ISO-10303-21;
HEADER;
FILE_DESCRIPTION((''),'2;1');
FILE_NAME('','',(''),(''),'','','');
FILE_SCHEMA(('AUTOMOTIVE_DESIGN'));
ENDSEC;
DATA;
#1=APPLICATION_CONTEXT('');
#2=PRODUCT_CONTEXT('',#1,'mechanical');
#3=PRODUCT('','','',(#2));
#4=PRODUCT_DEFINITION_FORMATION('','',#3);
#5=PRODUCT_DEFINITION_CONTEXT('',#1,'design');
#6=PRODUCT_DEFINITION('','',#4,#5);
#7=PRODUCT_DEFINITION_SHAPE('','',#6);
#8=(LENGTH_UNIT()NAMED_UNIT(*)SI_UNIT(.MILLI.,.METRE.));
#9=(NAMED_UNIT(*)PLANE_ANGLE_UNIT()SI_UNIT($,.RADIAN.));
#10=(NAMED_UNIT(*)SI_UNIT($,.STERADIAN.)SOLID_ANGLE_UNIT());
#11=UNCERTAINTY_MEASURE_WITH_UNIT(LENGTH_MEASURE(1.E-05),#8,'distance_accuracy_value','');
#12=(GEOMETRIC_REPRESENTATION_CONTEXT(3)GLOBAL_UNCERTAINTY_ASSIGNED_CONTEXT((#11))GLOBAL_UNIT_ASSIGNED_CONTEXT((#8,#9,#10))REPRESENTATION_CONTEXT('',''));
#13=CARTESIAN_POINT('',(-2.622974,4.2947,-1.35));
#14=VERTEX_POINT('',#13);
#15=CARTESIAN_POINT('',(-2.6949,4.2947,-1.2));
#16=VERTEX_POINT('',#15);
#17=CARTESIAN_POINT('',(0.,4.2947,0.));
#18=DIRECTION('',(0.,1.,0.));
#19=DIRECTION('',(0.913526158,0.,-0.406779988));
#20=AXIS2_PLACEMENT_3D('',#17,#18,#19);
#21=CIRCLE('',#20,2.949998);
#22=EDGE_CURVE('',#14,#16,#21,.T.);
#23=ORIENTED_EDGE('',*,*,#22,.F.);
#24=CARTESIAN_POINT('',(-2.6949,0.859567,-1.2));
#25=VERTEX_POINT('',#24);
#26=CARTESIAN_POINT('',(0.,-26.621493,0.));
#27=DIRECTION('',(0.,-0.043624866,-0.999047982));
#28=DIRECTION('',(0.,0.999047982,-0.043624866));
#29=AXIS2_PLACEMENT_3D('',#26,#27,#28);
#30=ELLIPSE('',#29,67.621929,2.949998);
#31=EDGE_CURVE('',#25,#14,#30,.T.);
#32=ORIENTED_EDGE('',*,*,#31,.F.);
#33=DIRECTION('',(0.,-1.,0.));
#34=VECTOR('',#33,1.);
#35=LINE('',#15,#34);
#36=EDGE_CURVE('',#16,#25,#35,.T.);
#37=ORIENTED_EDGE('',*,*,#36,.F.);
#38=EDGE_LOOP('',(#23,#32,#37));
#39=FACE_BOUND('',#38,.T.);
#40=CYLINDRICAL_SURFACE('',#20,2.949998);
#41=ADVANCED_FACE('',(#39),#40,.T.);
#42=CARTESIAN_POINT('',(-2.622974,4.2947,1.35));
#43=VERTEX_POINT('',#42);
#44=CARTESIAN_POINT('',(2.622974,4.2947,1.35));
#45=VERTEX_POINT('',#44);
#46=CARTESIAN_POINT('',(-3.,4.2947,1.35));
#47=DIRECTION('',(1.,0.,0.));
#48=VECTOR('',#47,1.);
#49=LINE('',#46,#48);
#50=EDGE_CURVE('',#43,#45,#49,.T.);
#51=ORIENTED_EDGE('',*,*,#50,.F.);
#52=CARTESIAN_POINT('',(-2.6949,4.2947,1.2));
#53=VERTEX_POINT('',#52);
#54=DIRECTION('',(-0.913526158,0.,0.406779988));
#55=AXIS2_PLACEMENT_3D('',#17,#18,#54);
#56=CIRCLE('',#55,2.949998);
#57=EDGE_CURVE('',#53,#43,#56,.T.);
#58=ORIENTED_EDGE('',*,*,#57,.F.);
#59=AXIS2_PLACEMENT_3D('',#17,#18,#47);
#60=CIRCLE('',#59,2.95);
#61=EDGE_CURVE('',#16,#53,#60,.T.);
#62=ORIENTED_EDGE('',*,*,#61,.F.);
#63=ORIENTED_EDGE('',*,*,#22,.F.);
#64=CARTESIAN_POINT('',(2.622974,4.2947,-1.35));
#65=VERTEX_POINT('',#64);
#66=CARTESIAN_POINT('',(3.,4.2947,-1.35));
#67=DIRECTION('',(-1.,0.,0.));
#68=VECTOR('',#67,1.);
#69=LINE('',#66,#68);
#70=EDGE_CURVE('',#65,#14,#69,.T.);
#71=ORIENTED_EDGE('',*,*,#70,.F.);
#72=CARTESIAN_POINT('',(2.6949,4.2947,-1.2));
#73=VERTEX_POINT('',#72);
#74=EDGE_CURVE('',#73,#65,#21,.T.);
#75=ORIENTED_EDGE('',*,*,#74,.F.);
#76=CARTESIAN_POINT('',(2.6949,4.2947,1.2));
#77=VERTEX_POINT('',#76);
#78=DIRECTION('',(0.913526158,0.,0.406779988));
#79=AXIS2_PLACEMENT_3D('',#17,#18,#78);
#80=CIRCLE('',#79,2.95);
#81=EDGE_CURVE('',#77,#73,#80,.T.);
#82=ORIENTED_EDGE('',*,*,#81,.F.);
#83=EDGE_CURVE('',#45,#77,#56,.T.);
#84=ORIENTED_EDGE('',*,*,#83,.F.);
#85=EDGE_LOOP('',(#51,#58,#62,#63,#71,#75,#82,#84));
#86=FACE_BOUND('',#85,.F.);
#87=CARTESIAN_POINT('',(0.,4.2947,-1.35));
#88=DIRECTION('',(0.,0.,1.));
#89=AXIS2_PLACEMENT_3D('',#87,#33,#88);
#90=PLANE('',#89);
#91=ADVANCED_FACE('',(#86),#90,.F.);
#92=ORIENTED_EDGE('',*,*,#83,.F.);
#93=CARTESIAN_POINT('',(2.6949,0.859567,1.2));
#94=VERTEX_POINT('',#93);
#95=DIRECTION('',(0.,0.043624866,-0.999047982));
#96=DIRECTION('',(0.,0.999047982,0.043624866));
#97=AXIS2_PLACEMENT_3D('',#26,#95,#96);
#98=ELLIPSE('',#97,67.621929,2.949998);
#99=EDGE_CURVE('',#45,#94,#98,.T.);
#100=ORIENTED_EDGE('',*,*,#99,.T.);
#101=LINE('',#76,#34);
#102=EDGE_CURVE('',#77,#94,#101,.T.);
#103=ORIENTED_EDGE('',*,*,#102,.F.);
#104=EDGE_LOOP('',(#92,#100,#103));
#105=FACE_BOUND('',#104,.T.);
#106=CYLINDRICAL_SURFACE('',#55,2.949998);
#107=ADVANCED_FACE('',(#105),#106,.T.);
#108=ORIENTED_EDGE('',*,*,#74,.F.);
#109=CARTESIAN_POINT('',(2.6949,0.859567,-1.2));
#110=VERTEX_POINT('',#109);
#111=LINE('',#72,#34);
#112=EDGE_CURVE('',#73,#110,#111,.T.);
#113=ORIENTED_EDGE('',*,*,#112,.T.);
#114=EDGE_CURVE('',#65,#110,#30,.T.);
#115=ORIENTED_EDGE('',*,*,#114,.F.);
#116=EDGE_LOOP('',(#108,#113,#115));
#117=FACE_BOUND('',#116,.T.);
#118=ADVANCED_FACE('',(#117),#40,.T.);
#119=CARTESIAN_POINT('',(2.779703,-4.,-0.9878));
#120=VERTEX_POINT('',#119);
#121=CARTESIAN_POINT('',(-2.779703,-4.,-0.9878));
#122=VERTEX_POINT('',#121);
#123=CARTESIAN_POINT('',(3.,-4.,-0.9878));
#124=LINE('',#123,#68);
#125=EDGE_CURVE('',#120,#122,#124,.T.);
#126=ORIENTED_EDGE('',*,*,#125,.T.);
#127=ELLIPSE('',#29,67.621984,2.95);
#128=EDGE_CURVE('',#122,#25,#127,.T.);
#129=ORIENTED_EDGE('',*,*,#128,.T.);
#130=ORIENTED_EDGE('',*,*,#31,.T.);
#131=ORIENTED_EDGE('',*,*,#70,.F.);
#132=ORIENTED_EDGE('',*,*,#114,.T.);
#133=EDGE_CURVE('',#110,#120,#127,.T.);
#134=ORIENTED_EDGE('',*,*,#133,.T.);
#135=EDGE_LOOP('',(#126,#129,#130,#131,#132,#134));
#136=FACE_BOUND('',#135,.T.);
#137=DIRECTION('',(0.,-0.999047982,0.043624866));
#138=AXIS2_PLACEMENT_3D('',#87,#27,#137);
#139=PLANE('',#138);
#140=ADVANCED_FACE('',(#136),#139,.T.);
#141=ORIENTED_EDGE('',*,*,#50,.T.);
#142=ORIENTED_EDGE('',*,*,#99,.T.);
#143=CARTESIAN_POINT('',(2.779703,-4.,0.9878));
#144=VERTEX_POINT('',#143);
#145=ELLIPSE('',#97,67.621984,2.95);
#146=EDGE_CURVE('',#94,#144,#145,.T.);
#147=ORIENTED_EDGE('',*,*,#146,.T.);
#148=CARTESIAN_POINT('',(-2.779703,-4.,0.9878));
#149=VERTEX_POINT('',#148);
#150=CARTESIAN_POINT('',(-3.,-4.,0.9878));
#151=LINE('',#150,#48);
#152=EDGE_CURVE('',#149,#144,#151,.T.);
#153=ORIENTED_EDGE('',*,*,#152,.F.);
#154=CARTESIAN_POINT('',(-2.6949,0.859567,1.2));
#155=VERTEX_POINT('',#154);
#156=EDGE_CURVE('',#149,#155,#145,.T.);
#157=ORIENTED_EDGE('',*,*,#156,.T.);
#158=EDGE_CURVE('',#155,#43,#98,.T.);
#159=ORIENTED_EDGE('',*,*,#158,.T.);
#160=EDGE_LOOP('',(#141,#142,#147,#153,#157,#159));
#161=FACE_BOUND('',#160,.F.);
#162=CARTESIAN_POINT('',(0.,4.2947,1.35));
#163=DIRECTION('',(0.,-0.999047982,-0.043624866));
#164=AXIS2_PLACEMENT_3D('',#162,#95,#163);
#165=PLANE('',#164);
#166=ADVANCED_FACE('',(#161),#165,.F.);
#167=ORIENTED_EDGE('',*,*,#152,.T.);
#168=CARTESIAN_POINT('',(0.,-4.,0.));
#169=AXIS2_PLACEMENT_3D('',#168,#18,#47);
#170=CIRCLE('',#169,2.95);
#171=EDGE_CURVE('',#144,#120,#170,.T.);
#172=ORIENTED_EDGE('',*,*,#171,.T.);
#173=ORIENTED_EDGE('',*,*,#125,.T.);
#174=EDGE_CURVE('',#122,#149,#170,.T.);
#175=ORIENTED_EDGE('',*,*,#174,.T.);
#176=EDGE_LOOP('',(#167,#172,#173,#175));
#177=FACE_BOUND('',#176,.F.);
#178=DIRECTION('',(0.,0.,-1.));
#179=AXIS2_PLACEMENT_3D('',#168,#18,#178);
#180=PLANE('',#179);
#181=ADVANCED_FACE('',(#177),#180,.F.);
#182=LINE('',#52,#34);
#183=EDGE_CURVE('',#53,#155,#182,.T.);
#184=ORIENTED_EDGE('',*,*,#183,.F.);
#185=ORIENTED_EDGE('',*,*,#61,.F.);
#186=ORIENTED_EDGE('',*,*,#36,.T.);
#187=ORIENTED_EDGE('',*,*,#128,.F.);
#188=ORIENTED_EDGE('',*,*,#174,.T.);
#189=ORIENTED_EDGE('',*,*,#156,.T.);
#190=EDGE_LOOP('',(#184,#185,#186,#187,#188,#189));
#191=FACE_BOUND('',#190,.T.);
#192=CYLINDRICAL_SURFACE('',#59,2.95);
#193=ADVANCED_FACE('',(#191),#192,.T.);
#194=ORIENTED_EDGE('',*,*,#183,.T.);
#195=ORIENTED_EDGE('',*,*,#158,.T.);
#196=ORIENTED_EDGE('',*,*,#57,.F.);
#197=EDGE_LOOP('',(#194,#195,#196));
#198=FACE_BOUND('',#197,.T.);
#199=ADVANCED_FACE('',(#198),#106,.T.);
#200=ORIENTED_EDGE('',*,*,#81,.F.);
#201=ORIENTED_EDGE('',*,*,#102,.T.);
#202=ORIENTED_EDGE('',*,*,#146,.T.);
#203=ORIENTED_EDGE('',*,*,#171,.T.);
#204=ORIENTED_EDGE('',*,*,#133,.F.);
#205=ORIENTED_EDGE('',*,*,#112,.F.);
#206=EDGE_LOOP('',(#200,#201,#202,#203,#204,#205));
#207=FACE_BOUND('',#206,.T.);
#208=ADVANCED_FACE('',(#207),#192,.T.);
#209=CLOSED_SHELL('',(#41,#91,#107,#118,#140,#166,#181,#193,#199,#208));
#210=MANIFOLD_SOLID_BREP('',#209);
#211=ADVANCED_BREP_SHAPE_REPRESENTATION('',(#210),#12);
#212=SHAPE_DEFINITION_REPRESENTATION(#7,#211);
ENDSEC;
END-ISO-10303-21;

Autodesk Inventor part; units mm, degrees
ref_plane "YZ Plane" through (0, 0, 0) normal (1, 0, 0) x (0, 1, 0)
ref_plane "XZ Plane" through (0, 0, 0) normal (0, 1, 0) x (-1, 0, 0)
ref_plane "XY Plane" through (0, 0, 0) normal (0, 0, 1) x (1, 0, 0)
sketch "Эскиз1" plane through (0, 0, 0) normal (1, 0, 0) x (0, 1, 0)
  line L0 (4.2947, -1.2) -> (3.8947, -1.2) projected
  line L1 (3.8947, -1.2) -> (0, -1.2) projected
  line L2 (0, -1.2) -> (-1, -1.2) projected
  line L3 (-4, 22.6194) -> (-4, -13.7271) projected
  line L4 (-1, -1.2) -> (-2.2, -1.2) projected
  line L5 (-2.2, -2.95) -> (-2.2, -1.2) projected
  line L6 (-2.2504, -1.2) -> (-4.2, -1.2) projected
  line L7 (-2.2, -1.2) -> (-2.2504, -1.2) projected
  line L8 (-4.2947, 1.2) -> (4.2947, 1.2)
  line L9 (4.2947, 1.2) -> (4.2947, -1.2)
  line L10 (4.2947, -1.2) -> (-4.2947, -1.2)
  line L11 (-4.2947, -1.2) -> (-4.2947, 1.2)
  line L12 (-4.2947, 1.2) -> (4.2947, -1.2) construction
  line L13 (4.2947, 1.2) -> (-4.2947, -1.2) construction
  line L14 (4.2947, -1.35) -> (-4, -0.9878)
  line L15 (4.2947, -1.35) -> (4.2947, -1.2)
  line L16 (-4, -1.2) -> (-4, -0.9878)
  line L17 (4.2947, 0) -> (-4, 0)
  line L18 (4.2947, 1.35) -> (-4, 0.9878)
  line L19 (4.2947, 1.35) -> (4.2947, 1.2)
  point P0 (0, 0)
  point P1 (-4, 0.9878)
  dimension "d0" = 2.5
  dimension "d1" = 0.15
extrude "Выдавливание1" add sketch "Эскиз1" along normal mid plane 6 contours L15 L14 L1 L0 | L0 L1 L14 L3 L17 L9 | L17 L3 L18 L8 L9 | L8 L18 L19
sketch "Эскиз2" plane through (-3, 4.2947, 1.35) normal (0, 1, 0) x (1, 0, 0)
  line L0 (5.25, 0.15) -> (0.75, 0.15) projected
  arc A0 (0.75, 0.15) -> (5.25, 0.15) centre (3, 1.35) ccw projected
  line L1 (0.75, 2.55) -> (5.25, 2.55) projected
  arc A1 (5.25, 2.55) -> (0.75, 2.55) centre (3, 1.35) ccw projected
  circle A2 centre (3, 1.35) radius 2.55
  line L2 (0, 0) -> (6, 0) projected
  line L3 (6, 2.7) -> (6, 0) projected
  line L4 (0, 2.7) -> (6, 2.7) projected
  line L5 (0, 0) -> (0, 2.7) projected
  arc A3 (5.6949, 2.55) -> (0.3051, 2.55) centre (3, 1.35) ccw projected
  arc A4 (0.3051, 0.15) -> (5.6949, 0.15) centre (3, 1.35) ccw projected
  circle A5 centre (3, 1.35) radius 2.95
  point P0 (3, 1.35)
  point P1 (0.8367, 0)
  point P2 (0.8367, 2.7)
  point P3 (5.1633, 2.7)
  point P4 (5.1633, 0)
  point P5 (5.623, 2.7)
  point P6 (5.6949, 0.15)
  point P7 (5.623, 0)
  point P8 (0.377, 0)
  point P9 (0.3051, 0.15)
  point P10 (0.3051, 2.55)
  point P11 (0.377, 2.7)
extrude "Выдавливание2" cut sketch "Эскиз2" against normal blind 10 contours A4 A5 A3 L4 L3 L2 | L2 L5 L4 A3 A5 A4
properties part number "middle_gear_vtilka_shtift"
